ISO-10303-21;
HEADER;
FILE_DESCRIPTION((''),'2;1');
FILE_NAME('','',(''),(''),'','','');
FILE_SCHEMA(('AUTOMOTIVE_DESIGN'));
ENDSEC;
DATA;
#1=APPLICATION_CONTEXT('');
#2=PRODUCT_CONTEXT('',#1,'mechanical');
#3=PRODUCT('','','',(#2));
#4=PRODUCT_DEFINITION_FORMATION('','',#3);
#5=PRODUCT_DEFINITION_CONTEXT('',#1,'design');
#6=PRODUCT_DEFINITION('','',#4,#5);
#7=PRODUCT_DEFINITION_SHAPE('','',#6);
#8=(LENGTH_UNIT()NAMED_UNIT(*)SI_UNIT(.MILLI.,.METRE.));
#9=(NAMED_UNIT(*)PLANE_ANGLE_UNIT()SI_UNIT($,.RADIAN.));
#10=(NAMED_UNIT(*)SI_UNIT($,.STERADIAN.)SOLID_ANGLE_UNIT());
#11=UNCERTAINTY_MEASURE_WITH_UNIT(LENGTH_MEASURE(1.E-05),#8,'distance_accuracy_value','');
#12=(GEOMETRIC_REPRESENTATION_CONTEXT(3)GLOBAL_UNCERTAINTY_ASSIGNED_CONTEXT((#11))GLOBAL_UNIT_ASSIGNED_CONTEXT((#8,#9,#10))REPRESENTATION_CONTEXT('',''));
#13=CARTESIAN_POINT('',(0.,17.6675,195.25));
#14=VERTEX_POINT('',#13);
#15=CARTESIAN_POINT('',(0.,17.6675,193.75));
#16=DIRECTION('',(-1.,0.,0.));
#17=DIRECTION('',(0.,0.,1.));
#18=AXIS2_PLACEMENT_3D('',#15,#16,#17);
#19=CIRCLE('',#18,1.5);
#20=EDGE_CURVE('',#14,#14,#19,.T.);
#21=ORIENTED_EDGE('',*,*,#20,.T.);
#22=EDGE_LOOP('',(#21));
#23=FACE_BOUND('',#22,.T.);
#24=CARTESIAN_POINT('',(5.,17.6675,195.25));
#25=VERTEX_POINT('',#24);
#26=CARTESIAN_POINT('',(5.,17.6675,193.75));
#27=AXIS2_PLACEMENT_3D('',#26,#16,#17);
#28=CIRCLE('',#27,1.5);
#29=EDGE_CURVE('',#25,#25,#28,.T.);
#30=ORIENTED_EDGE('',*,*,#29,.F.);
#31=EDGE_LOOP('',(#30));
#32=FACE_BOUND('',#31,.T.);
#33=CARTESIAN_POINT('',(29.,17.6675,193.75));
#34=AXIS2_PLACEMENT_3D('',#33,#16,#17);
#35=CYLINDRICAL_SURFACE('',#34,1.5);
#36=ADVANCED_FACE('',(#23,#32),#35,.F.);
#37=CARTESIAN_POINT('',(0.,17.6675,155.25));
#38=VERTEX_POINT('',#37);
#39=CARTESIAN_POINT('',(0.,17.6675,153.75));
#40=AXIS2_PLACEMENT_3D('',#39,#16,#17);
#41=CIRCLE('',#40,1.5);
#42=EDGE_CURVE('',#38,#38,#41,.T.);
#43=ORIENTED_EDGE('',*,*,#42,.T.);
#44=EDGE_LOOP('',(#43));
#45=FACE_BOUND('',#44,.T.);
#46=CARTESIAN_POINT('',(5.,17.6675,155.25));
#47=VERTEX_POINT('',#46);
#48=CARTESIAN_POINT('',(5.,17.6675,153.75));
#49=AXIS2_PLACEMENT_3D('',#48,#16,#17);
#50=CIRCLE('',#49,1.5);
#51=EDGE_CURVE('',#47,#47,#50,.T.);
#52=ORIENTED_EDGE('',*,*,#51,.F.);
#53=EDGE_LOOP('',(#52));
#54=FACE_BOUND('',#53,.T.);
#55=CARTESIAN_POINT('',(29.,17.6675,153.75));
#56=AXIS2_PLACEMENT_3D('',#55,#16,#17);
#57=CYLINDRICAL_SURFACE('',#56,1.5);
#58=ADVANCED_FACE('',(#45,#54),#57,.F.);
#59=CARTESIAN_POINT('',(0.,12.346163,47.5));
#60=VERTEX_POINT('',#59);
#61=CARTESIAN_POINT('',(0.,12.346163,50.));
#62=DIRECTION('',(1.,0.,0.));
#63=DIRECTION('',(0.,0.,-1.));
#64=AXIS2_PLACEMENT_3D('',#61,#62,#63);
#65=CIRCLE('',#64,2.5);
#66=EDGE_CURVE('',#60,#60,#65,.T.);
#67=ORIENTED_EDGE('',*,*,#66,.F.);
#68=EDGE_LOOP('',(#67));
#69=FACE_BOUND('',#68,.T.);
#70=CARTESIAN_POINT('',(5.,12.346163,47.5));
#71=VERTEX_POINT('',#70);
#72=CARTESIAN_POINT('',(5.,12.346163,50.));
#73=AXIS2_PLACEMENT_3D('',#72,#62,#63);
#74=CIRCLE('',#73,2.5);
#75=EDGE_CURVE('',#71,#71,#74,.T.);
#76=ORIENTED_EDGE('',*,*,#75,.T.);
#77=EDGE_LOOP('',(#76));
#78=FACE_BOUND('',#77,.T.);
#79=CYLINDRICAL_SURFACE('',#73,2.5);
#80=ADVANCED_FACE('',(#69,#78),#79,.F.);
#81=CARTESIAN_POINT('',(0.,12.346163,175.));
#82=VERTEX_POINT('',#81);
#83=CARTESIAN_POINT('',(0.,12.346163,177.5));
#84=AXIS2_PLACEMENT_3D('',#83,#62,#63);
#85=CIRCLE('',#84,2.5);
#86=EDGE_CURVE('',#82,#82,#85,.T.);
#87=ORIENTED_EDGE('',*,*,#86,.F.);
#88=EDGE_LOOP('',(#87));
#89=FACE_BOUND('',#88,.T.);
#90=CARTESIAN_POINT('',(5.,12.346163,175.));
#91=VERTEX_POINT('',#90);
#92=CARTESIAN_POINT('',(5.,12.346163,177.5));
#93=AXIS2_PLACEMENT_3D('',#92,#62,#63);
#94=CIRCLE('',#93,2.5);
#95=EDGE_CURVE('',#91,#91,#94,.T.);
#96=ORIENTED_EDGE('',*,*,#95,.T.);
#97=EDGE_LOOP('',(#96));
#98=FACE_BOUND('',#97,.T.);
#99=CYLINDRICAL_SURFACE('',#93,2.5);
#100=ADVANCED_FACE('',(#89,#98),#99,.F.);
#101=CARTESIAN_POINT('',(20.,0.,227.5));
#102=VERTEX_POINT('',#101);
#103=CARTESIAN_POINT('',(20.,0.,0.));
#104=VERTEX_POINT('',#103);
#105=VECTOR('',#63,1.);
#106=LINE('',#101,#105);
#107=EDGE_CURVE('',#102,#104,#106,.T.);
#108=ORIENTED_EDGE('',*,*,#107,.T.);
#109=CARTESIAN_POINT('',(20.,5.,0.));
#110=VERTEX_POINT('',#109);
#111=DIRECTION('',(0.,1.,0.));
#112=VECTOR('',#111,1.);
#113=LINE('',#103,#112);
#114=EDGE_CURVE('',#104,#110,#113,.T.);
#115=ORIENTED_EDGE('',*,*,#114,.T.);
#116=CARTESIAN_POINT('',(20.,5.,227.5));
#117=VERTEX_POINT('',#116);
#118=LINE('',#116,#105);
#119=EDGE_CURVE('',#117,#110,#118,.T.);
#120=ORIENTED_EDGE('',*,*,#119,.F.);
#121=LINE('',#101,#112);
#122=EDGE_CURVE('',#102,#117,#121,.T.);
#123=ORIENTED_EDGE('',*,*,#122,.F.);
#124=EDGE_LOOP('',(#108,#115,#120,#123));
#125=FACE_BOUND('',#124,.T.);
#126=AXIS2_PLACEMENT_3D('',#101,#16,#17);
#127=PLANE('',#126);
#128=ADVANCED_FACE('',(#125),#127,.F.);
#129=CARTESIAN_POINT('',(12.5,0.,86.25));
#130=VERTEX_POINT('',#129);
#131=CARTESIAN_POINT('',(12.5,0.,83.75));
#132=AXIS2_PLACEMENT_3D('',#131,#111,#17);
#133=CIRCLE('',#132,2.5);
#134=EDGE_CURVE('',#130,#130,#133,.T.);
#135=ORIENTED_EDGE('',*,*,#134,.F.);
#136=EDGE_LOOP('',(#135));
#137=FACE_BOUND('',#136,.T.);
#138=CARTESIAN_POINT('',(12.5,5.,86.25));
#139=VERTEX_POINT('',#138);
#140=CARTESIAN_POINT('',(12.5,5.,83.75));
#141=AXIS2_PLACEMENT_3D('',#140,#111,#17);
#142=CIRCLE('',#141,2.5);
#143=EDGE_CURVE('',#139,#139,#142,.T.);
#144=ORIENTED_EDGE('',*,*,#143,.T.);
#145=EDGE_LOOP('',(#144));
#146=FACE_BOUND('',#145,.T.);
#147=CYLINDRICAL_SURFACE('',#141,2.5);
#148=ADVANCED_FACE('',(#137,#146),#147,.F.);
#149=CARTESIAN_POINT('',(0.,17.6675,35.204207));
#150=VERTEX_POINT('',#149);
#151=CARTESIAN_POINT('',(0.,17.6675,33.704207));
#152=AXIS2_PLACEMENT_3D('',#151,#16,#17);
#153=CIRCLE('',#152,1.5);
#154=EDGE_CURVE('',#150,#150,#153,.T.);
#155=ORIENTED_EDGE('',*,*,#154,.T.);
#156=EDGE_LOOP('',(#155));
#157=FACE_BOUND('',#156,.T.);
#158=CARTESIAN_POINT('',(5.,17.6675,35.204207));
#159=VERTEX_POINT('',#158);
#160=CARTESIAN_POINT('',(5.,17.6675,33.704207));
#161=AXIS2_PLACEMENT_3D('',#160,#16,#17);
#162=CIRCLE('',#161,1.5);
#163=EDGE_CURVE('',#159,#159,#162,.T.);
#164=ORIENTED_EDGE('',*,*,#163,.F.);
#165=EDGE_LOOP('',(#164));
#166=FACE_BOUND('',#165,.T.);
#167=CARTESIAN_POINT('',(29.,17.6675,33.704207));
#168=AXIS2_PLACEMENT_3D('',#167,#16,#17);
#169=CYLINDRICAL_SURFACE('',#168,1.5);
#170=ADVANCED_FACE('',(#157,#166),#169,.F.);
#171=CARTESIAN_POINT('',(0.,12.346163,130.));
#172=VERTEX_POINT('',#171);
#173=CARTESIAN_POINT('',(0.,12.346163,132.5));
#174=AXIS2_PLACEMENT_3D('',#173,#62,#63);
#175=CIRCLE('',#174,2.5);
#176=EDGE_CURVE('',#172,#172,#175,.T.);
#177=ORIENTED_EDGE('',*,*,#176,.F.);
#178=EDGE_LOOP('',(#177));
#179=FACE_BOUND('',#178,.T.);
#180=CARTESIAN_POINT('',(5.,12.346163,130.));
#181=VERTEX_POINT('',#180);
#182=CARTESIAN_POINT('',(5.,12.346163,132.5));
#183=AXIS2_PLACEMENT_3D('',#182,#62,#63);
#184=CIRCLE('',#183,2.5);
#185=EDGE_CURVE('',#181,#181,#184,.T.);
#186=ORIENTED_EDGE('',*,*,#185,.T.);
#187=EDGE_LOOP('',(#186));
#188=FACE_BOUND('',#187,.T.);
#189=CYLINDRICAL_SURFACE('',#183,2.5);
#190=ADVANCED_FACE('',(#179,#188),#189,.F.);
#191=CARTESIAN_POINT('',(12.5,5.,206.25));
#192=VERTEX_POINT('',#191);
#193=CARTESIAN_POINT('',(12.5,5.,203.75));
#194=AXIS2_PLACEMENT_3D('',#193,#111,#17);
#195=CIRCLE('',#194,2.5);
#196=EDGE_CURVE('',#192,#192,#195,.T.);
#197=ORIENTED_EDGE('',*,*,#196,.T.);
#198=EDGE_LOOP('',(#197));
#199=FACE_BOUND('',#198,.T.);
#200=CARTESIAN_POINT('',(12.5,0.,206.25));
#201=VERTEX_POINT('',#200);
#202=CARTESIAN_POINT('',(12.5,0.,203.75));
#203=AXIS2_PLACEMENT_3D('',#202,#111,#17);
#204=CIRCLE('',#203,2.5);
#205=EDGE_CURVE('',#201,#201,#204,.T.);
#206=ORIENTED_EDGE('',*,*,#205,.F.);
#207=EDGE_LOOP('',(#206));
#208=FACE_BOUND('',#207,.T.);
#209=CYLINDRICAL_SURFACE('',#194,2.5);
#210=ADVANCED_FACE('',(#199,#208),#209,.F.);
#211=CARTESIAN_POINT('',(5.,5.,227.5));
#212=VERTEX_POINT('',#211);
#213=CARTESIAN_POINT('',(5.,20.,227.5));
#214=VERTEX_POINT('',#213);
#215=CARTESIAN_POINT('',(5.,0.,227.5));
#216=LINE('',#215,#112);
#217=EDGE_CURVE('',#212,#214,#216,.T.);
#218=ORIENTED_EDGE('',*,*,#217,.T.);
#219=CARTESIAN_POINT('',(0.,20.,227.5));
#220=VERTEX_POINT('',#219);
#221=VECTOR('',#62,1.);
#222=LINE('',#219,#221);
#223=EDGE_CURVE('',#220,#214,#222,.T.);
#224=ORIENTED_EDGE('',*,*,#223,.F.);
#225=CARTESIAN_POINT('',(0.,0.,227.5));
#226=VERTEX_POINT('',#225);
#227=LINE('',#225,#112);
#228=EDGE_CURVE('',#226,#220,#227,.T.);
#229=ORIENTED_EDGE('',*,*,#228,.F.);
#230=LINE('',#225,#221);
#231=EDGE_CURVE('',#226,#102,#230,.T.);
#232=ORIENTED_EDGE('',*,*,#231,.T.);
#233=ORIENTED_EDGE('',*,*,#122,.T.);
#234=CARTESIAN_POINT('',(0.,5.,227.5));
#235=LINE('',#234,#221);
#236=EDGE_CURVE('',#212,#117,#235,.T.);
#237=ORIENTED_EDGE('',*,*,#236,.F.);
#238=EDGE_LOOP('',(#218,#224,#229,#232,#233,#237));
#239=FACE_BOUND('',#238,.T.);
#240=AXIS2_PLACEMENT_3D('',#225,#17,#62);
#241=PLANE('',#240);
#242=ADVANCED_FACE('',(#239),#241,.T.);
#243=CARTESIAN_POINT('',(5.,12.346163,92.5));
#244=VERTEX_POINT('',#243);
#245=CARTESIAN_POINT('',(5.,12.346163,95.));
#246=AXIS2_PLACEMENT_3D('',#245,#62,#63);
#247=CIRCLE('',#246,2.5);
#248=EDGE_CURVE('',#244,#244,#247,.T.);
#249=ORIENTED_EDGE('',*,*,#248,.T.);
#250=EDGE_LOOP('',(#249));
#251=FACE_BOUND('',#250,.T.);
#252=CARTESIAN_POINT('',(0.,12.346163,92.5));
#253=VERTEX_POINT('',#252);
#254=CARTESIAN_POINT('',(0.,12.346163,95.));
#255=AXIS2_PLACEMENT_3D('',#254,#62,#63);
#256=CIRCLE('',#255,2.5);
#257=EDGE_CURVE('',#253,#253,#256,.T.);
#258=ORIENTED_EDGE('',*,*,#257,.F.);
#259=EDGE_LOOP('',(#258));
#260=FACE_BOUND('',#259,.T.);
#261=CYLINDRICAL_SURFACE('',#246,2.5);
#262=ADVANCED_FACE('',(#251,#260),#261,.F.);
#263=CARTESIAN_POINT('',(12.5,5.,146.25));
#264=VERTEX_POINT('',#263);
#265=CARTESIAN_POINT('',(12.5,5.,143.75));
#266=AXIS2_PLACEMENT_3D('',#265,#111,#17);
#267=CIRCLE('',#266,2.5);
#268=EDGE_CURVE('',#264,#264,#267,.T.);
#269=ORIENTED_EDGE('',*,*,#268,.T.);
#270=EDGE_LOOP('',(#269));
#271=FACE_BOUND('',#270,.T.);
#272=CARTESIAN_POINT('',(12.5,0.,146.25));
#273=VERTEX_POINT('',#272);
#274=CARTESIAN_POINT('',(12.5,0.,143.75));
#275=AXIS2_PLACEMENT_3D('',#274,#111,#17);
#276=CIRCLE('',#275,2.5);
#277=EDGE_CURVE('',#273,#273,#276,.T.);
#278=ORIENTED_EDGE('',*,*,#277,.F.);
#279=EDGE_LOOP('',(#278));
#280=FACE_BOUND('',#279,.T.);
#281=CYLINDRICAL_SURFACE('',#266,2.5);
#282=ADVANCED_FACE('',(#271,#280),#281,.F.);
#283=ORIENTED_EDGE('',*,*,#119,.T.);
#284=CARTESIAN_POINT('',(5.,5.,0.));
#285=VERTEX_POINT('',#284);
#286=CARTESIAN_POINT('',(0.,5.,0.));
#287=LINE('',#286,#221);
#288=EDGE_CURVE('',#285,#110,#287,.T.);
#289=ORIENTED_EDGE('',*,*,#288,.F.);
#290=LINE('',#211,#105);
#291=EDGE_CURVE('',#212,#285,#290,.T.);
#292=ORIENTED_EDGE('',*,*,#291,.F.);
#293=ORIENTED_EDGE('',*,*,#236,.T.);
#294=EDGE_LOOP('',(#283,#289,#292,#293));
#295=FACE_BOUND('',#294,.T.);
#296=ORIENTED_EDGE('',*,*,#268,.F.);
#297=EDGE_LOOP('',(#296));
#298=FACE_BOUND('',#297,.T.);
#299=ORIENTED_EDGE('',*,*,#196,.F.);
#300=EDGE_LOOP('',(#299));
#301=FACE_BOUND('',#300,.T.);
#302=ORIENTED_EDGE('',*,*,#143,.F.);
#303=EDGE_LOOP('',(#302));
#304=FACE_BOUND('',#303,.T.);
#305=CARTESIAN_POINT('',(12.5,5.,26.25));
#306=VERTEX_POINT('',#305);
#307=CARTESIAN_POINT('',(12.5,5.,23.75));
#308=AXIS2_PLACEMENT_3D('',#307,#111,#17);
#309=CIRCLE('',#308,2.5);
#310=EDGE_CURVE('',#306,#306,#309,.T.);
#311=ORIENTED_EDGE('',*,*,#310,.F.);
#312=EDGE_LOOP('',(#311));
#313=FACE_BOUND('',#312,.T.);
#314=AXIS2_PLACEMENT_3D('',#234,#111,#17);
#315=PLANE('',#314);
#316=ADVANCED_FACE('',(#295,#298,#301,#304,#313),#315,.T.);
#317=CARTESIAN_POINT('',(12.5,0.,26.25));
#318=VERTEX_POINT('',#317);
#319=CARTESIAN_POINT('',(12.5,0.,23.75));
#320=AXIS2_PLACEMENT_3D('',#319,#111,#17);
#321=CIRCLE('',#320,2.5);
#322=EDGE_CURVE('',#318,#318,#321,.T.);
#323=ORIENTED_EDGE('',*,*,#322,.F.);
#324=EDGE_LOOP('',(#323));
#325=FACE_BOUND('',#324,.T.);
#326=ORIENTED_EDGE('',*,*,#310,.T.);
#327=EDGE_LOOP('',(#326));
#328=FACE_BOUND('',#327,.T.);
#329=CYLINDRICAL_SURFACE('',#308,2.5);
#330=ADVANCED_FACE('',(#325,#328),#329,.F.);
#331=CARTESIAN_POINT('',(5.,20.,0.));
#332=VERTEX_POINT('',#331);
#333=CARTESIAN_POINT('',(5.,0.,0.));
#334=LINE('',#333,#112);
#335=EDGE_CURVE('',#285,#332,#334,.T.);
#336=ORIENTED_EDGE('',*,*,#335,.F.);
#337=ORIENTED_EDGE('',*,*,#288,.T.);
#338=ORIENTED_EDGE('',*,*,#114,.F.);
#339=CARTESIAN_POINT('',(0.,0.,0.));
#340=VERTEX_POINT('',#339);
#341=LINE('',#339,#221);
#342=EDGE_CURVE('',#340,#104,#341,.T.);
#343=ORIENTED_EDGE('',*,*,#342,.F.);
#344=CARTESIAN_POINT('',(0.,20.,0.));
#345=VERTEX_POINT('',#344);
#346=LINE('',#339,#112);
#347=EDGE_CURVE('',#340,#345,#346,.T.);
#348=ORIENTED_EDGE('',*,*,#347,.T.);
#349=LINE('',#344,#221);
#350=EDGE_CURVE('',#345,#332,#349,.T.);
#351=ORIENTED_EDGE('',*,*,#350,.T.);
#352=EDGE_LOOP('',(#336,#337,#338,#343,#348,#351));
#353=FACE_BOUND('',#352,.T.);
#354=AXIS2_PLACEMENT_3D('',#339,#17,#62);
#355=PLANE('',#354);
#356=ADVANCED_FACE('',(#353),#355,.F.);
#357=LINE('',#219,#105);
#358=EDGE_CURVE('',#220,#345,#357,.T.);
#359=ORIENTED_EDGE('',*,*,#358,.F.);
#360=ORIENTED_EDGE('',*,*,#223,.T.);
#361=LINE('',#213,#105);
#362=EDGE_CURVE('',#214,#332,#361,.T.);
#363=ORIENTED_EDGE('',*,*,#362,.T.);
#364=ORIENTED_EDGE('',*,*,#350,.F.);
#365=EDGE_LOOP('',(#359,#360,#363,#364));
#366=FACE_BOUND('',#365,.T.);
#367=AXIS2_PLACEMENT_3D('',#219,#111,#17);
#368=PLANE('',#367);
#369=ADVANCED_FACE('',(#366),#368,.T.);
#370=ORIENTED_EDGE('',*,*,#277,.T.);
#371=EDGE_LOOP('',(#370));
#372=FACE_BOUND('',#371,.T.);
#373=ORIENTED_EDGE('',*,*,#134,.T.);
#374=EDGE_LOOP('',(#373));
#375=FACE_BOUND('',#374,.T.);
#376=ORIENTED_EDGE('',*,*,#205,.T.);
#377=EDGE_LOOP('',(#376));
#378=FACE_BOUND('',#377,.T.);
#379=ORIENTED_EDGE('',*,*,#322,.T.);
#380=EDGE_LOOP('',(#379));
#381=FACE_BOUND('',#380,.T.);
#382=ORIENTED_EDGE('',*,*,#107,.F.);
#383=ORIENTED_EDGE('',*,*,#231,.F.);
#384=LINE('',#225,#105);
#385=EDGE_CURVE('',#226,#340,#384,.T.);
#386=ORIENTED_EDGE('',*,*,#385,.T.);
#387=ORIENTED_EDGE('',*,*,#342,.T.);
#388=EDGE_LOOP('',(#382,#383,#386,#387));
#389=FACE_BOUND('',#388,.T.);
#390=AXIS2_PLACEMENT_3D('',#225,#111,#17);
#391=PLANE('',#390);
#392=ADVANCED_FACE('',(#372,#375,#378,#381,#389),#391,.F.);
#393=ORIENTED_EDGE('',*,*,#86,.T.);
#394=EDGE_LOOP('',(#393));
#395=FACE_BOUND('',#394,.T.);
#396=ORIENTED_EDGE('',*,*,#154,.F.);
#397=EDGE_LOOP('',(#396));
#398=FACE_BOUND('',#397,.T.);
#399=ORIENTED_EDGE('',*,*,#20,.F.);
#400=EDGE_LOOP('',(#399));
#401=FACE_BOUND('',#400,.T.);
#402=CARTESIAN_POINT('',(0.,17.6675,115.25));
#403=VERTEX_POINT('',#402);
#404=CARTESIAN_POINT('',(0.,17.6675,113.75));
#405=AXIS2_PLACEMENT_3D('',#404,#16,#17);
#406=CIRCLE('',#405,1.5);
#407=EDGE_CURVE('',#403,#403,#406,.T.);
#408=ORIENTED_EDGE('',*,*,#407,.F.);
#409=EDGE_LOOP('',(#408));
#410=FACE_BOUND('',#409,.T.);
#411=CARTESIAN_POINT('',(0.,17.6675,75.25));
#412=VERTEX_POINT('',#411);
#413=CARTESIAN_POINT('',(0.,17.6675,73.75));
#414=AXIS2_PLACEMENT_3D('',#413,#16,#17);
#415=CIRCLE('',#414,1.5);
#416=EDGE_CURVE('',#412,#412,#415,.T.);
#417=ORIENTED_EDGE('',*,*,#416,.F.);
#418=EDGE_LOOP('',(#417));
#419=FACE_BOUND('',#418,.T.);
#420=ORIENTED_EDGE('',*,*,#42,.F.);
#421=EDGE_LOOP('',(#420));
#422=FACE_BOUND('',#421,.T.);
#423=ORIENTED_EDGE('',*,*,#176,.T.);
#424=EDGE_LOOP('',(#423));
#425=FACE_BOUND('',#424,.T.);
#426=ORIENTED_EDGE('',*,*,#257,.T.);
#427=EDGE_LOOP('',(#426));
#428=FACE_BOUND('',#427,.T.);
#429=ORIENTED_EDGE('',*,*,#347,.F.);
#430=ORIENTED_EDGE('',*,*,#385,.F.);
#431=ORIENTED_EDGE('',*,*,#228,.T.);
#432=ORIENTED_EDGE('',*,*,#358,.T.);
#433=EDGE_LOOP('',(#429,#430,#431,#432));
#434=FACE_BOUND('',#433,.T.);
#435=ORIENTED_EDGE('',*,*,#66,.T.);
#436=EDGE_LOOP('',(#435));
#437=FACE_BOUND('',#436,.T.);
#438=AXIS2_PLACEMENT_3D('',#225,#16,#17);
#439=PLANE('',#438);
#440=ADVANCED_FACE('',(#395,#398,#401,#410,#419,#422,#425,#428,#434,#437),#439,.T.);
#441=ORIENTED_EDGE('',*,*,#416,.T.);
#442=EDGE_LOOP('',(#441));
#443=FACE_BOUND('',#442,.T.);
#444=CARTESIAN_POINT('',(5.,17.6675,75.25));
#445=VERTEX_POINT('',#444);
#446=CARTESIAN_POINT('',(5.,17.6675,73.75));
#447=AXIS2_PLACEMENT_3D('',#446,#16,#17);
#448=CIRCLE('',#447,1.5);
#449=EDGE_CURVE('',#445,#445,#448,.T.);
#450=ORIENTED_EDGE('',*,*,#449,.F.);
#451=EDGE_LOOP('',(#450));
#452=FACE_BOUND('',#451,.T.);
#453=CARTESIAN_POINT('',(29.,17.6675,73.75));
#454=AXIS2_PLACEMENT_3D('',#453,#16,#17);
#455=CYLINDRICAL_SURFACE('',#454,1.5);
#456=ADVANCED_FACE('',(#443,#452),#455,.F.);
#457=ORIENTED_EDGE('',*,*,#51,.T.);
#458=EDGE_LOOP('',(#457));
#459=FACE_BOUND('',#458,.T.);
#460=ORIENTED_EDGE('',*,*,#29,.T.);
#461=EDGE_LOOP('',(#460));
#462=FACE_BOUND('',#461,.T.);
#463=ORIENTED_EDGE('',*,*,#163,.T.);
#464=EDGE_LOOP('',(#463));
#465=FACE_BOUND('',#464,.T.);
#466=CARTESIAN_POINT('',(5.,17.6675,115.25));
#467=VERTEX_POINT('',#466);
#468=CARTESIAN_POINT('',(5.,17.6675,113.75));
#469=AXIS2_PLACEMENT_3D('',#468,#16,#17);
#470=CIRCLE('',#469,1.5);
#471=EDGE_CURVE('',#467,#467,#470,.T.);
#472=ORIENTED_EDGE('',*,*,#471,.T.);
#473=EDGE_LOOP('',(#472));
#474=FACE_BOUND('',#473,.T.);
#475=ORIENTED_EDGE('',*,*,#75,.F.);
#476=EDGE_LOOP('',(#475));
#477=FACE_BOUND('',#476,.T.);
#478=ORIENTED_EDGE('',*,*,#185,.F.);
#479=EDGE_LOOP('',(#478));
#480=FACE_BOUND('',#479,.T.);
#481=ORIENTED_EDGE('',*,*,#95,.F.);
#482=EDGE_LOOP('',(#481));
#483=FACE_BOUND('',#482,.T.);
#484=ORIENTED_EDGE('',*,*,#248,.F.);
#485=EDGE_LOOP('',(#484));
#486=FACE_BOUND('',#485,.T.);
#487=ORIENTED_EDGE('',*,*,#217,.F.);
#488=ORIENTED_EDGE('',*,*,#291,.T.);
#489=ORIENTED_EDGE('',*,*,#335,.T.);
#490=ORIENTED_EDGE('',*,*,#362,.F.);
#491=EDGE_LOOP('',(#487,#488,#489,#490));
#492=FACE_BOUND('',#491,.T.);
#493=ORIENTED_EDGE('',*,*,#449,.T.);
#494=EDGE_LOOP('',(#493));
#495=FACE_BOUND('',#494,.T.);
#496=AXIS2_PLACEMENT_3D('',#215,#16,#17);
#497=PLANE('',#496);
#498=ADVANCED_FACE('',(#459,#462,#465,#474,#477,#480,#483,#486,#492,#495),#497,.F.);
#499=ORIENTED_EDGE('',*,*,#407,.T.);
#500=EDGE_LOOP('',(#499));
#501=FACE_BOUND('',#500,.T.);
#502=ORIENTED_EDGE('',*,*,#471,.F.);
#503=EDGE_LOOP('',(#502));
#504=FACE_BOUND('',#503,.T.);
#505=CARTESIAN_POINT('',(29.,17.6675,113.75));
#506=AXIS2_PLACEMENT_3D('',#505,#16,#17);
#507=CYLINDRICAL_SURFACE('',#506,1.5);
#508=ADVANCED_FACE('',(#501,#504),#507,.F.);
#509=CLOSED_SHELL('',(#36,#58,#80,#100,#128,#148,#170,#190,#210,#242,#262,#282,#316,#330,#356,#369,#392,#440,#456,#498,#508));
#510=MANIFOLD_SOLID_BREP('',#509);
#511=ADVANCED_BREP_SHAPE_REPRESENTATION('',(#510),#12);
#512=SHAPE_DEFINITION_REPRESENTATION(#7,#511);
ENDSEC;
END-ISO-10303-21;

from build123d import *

# Parameters (mm, degrees)
BOSS_EXTRUDE1_DEPTH         = 227.5
TAP_DRILL_FOR_M5X0_8_TAP1_D = 5
F_5_0_5_DIAMETER_HOLE1_D    = 5
SKETCH9_R                   = 1.5
CUT_EXTRUDE1_DEPTH          = 29


with BuildPart() as part:
    # Sketch1 → Boss-Extrude1 (new body)
    with BuildSketch(Plane.XY):
        Polygon((0, 5), (0, 0), (5, 0), (20, 0), (20, 5), (5, 5), (5, 20), (0, 20), align=None)
    extrude(amount=BOSS_EXTRUDE1_DEPTH)

    # Tap Drill for M5x0.8 Tap1 (through all)
    with Locations(Plane(origin=(0, 5, 0), x_dir=(1, 0, 0), z_dir=(0, 1, 0))):
        with Locations((12.5, -203.75), (12.5, -143.75), (12.5, -83.75), (12.5, -23.75)):
            Hole(TAP_DRILL_FOR_M5X0_8_TAP1_D / 2)

    # Ø5.0 (5) Diameter Hole1 (through all)
    with Locations(Plane(origin=(5, 0, 0), x_dir=(0, 0, -1), z_dir=(1, 0, 0))):
        with Locations((-177.5, 12.346163158), (-132.5, 12.346163158), (-95, 12.346163158), (-50, 12.346163158)):
            Hole(F_5_0_5_DIAMETER_HOLE1_D / 2)

    # Sketch9 → Cut-Extrude1 (cut)
    with BuildSketch(Plane.ZY):
        with Locations((33.704207464, 17.6675)):
            Circle(SKETCH9_R)
        with Locations((73.75, 17.6675)):
            Circle(SKETCH9_R)
        with Locations((113.75, 17.6675)):
            Circle(SKETCH9_R)
        with Locations((153.75, 17.6675)):
            Circle(SKETCH9_R)
        with Locations((193.75, 17.6675)):
            Circle(SKETCH9_R)
    extrude(amount=-CUT_EXTRUDE1_DEPTH, mode=Mode.SUBTRACT)


solid = part.part
